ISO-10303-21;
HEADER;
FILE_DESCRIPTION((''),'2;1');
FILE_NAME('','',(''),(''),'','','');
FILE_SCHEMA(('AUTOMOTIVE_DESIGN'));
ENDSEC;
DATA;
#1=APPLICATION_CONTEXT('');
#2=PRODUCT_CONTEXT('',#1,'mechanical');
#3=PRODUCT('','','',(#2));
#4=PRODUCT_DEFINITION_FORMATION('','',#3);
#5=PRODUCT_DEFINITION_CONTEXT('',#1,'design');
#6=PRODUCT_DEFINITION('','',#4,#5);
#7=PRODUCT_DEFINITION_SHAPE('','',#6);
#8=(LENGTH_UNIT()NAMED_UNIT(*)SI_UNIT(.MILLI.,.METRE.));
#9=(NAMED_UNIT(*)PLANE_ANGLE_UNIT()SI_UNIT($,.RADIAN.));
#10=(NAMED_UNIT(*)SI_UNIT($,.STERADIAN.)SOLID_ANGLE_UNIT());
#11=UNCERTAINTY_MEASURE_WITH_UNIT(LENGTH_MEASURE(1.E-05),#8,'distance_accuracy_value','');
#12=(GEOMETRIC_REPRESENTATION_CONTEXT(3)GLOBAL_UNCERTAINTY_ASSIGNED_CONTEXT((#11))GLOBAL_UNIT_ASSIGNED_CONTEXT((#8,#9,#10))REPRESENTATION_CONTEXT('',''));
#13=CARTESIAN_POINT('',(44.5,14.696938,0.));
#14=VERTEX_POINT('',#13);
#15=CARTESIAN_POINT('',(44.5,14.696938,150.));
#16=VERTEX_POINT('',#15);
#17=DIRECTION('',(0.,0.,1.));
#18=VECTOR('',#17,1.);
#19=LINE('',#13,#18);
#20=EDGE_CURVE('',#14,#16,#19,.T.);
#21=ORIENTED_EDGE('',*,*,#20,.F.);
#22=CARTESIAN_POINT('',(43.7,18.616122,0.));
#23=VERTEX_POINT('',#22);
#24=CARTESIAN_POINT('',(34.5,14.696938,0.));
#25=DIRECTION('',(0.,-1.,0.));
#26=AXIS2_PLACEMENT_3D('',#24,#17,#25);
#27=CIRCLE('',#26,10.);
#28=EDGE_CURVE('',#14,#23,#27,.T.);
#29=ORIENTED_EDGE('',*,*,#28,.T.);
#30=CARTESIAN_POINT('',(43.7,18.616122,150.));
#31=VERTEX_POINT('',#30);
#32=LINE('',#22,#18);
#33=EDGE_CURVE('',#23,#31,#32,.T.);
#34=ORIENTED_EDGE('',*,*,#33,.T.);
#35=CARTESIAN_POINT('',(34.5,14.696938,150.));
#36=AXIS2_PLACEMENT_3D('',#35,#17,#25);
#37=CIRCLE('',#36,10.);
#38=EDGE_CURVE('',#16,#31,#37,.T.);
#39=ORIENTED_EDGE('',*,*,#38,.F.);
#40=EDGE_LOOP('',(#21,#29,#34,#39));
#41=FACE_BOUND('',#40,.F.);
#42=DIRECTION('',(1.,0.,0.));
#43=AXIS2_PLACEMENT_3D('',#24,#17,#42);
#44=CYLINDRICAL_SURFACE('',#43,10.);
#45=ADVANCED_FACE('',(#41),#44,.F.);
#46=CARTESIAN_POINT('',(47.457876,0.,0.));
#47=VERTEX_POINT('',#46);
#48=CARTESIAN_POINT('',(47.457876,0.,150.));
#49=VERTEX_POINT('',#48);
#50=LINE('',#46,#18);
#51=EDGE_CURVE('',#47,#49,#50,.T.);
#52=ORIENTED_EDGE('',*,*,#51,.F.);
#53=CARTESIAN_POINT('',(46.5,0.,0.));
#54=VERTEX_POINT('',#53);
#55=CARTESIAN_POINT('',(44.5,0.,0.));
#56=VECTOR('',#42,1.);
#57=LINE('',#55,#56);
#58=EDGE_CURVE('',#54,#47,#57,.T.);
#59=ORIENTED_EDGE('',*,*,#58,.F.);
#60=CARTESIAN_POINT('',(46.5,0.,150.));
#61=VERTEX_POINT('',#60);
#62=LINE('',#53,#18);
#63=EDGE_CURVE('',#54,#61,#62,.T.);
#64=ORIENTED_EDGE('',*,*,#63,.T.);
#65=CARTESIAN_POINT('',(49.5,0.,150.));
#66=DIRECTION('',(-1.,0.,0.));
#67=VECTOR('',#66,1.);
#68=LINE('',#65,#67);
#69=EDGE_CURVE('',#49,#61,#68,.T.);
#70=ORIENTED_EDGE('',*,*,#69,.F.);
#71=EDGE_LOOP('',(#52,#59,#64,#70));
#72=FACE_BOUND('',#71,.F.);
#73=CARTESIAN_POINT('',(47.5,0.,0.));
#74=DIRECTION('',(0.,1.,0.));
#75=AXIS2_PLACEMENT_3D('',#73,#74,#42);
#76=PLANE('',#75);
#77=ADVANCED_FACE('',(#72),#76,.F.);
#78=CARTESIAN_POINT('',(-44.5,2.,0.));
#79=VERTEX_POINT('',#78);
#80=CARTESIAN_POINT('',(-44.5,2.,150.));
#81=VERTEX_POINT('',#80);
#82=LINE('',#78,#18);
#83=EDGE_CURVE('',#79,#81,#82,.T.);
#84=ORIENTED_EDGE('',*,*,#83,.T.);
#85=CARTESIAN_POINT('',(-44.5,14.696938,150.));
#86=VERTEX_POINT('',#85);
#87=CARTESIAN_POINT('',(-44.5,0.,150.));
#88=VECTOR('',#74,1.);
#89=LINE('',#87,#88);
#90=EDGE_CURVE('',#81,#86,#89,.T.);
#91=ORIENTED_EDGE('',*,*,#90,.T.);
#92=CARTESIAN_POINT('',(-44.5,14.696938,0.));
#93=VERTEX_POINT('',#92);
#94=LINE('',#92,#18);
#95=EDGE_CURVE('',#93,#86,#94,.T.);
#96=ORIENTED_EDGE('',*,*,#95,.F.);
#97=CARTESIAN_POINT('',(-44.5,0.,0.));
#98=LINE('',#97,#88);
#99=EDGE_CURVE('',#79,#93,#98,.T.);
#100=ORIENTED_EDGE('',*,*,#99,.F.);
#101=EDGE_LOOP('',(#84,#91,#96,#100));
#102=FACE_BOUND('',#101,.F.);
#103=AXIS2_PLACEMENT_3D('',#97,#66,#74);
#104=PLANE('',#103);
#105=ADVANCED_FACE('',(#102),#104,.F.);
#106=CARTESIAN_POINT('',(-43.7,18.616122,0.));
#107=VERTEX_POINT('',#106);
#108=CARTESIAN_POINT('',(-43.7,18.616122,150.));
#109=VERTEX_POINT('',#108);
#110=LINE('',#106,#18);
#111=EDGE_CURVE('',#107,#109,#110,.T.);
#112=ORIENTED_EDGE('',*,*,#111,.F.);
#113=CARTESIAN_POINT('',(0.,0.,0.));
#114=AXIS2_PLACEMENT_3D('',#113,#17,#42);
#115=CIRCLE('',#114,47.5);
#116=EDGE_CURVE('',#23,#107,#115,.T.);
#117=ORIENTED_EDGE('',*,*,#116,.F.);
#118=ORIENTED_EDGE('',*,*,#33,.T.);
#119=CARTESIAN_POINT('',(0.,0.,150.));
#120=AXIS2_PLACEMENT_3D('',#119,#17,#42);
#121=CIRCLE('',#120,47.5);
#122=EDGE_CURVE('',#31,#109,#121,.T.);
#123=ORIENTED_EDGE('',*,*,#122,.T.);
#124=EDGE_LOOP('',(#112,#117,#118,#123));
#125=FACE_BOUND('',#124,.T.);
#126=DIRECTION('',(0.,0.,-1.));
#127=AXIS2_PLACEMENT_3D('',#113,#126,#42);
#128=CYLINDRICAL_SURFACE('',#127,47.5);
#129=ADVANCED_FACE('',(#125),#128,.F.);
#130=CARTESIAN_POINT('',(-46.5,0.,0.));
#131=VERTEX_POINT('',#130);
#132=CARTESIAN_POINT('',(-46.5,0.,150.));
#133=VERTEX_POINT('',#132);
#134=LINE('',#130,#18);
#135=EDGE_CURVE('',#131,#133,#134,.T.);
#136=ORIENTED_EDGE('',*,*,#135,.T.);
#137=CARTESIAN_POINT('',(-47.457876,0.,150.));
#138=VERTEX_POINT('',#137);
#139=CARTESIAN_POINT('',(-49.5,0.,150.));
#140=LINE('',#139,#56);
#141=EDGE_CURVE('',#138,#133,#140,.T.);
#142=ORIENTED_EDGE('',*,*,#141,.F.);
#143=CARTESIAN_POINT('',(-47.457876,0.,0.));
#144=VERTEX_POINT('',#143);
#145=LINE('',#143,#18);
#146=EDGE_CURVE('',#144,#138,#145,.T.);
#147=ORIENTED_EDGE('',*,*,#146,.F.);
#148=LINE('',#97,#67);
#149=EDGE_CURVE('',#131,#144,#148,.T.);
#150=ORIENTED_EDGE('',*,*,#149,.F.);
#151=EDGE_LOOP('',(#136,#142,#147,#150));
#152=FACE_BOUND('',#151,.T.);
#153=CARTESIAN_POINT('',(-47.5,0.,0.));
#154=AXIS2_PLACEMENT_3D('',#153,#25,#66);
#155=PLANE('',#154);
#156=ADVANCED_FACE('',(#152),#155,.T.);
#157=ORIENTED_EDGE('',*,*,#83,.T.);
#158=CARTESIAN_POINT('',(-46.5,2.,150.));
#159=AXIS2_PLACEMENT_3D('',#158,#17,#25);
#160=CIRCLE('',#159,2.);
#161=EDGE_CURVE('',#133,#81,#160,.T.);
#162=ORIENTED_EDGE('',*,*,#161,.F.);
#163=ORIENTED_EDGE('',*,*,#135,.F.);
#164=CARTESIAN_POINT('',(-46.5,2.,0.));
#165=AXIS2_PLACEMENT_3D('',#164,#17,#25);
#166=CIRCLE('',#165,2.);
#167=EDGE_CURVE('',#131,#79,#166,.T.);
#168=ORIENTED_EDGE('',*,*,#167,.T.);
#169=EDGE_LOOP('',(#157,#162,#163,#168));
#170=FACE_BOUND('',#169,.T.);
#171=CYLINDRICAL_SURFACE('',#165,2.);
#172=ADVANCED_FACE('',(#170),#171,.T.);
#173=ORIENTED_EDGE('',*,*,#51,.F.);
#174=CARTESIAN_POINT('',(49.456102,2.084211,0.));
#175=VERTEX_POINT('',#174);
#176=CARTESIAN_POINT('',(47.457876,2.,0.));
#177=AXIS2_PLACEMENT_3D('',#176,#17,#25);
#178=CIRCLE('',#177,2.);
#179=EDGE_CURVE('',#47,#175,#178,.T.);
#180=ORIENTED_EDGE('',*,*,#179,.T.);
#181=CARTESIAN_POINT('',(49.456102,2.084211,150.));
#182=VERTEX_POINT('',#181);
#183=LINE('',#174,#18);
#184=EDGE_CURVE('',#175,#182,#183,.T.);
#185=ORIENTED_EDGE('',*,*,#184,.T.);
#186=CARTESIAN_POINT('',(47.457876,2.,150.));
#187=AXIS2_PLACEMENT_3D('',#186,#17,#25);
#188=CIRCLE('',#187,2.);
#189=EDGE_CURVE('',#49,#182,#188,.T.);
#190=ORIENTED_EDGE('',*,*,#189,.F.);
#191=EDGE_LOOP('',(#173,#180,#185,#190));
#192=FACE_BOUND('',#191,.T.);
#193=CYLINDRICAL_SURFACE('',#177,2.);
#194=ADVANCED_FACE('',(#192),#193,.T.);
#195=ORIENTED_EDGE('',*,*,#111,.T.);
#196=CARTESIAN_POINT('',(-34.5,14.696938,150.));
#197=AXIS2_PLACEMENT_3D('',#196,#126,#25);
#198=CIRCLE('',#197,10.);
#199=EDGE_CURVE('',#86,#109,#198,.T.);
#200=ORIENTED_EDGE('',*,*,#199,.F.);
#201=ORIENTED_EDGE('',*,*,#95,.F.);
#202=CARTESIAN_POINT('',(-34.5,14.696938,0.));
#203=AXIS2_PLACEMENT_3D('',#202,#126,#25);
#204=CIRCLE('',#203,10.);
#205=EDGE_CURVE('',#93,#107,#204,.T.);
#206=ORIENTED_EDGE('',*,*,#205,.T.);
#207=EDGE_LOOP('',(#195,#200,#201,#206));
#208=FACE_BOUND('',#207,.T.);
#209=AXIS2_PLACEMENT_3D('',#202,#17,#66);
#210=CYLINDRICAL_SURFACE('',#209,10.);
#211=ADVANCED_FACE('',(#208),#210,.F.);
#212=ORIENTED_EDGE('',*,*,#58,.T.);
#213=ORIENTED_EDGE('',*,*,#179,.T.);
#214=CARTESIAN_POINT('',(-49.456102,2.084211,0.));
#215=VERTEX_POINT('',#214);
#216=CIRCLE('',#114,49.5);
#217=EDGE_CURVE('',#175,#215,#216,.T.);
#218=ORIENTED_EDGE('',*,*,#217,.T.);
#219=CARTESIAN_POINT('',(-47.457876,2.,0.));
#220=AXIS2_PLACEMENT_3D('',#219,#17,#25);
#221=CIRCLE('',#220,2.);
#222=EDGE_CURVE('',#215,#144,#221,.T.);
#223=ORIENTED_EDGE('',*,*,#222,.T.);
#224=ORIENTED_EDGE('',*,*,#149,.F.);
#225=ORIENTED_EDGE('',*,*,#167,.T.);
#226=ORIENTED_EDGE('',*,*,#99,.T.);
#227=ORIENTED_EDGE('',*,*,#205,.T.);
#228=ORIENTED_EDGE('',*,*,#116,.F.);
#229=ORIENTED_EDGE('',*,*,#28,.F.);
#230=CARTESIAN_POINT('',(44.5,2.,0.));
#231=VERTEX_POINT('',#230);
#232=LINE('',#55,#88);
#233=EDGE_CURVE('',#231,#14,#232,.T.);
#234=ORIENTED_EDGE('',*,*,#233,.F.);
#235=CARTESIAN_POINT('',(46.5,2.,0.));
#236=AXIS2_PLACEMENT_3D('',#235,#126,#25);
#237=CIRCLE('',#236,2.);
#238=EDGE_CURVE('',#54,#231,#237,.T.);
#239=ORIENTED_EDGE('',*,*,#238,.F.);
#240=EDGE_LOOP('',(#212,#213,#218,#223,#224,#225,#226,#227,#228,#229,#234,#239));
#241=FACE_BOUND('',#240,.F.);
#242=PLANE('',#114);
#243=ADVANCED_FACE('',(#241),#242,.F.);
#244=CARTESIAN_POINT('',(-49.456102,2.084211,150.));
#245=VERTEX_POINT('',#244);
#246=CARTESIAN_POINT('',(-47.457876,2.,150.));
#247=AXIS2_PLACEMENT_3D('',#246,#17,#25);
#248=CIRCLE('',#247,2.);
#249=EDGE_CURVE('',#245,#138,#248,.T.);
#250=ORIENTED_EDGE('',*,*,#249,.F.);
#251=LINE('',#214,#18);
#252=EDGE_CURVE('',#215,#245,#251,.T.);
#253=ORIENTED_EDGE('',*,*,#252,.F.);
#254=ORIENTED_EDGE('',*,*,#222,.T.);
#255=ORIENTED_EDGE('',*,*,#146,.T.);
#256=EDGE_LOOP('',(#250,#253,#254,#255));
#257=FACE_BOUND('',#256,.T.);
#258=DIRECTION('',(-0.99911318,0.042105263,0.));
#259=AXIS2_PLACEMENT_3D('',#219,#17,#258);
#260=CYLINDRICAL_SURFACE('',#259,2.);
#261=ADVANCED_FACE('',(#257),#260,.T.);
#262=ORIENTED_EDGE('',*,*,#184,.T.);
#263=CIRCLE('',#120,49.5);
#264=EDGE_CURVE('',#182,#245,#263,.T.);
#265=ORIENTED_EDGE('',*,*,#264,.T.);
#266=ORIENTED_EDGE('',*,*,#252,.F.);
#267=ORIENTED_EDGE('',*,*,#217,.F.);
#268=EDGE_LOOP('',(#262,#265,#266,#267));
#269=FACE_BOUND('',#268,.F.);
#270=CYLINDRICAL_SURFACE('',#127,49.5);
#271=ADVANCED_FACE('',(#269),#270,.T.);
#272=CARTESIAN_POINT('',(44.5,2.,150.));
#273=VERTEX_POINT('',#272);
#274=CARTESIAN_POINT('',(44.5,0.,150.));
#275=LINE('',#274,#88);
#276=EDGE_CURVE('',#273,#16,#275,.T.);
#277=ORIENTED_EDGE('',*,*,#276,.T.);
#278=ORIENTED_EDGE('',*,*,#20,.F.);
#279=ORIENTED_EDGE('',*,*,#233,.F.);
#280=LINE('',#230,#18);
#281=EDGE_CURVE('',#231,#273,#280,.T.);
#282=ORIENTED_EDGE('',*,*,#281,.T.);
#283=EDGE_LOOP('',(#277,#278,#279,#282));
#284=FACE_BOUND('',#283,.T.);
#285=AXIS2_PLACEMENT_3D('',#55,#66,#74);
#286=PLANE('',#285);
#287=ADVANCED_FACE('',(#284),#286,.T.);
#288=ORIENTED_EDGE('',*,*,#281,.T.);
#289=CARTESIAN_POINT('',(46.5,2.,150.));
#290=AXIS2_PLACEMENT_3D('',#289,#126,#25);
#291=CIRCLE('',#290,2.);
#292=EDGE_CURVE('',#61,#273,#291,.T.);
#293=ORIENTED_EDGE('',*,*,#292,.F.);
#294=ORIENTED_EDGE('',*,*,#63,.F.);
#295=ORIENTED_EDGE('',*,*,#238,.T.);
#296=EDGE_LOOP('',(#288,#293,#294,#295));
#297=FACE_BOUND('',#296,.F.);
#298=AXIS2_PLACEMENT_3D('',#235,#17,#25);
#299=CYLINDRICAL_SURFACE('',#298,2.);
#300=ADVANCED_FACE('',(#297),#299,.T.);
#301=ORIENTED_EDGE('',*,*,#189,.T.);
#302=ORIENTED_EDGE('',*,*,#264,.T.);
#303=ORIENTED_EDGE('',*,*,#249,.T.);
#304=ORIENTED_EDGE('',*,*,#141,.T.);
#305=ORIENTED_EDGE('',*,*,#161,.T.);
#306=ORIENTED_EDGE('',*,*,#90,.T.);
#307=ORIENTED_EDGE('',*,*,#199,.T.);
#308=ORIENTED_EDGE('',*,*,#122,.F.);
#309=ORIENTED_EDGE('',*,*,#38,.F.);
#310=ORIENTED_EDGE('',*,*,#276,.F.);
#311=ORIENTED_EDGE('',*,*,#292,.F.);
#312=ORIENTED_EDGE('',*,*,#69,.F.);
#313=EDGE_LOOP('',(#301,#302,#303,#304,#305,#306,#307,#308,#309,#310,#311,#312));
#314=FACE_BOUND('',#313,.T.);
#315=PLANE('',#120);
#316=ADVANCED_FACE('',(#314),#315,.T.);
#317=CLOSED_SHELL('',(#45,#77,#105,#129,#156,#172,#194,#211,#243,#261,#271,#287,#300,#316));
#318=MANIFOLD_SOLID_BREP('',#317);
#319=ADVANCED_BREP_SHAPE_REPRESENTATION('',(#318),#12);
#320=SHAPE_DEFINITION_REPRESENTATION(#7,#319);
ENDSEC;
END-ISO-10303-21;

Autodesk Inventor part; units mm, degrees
ref_plane "YZ Plane" through (0, 0, 0) normal (1, 0, 0) x (0, 1, 0)
ref_plane "XZ Plane" through (0, 0, 0) normal (0, 1, 0) x (-1, 0, 0)
ref_plane "XY Plane" through (0, 0, 0) normal (0, 0, 1) x (1, 0, 0)
sketch "Sketch1" plane through (0, 0, 0) normal (0, 0, 1) x (1, 0, 0)
  arc A0 (49.5, 0) -> (-49.5, 0) centre (0, 0) ccw
  arc A1 (47.5, 0) -> (-47.5, 0) centre (0, 0) ccw
  line L0 (47.5, 0) -> (49.5, 0)
  line L1 (-47.5, 0) -> (-49.5, 0)
  line L2 (-49.5, 0) -> (-44.5, 0)
  line L3 (-44.5, 0) -> (-44.5, 16.6132)
  line L4 (49.5, 0) -> (44.5, 0)
  line L5 (44.5, 0) -> (44.5, 16.6132)
  point P0 (-47.5, 0)
  dimension "d0" = 99
  dimension "d1" = 2
  dimension "d4" = 5
  dimension "d6" = 5
extrude "Extrusion1" add sketch "Sketch1" along normal blind 150
fillet "Fillet1" radius 2 4 edges at (-44.5, 0, 75) (-49.5, 0, 75) (44.5, 0, 75) (49.5, 0, 75)
fillet "Fillet2" radius 10 2 edges at (-44.5, 16.6132, 75) (44.5, 16.6132, 75)
equation "\"d1\" = 2 * extrusion_width"
equation "\"extrusion_width\" = 1"
properties part number "Parts-Tray-for-plasma-vessel"
